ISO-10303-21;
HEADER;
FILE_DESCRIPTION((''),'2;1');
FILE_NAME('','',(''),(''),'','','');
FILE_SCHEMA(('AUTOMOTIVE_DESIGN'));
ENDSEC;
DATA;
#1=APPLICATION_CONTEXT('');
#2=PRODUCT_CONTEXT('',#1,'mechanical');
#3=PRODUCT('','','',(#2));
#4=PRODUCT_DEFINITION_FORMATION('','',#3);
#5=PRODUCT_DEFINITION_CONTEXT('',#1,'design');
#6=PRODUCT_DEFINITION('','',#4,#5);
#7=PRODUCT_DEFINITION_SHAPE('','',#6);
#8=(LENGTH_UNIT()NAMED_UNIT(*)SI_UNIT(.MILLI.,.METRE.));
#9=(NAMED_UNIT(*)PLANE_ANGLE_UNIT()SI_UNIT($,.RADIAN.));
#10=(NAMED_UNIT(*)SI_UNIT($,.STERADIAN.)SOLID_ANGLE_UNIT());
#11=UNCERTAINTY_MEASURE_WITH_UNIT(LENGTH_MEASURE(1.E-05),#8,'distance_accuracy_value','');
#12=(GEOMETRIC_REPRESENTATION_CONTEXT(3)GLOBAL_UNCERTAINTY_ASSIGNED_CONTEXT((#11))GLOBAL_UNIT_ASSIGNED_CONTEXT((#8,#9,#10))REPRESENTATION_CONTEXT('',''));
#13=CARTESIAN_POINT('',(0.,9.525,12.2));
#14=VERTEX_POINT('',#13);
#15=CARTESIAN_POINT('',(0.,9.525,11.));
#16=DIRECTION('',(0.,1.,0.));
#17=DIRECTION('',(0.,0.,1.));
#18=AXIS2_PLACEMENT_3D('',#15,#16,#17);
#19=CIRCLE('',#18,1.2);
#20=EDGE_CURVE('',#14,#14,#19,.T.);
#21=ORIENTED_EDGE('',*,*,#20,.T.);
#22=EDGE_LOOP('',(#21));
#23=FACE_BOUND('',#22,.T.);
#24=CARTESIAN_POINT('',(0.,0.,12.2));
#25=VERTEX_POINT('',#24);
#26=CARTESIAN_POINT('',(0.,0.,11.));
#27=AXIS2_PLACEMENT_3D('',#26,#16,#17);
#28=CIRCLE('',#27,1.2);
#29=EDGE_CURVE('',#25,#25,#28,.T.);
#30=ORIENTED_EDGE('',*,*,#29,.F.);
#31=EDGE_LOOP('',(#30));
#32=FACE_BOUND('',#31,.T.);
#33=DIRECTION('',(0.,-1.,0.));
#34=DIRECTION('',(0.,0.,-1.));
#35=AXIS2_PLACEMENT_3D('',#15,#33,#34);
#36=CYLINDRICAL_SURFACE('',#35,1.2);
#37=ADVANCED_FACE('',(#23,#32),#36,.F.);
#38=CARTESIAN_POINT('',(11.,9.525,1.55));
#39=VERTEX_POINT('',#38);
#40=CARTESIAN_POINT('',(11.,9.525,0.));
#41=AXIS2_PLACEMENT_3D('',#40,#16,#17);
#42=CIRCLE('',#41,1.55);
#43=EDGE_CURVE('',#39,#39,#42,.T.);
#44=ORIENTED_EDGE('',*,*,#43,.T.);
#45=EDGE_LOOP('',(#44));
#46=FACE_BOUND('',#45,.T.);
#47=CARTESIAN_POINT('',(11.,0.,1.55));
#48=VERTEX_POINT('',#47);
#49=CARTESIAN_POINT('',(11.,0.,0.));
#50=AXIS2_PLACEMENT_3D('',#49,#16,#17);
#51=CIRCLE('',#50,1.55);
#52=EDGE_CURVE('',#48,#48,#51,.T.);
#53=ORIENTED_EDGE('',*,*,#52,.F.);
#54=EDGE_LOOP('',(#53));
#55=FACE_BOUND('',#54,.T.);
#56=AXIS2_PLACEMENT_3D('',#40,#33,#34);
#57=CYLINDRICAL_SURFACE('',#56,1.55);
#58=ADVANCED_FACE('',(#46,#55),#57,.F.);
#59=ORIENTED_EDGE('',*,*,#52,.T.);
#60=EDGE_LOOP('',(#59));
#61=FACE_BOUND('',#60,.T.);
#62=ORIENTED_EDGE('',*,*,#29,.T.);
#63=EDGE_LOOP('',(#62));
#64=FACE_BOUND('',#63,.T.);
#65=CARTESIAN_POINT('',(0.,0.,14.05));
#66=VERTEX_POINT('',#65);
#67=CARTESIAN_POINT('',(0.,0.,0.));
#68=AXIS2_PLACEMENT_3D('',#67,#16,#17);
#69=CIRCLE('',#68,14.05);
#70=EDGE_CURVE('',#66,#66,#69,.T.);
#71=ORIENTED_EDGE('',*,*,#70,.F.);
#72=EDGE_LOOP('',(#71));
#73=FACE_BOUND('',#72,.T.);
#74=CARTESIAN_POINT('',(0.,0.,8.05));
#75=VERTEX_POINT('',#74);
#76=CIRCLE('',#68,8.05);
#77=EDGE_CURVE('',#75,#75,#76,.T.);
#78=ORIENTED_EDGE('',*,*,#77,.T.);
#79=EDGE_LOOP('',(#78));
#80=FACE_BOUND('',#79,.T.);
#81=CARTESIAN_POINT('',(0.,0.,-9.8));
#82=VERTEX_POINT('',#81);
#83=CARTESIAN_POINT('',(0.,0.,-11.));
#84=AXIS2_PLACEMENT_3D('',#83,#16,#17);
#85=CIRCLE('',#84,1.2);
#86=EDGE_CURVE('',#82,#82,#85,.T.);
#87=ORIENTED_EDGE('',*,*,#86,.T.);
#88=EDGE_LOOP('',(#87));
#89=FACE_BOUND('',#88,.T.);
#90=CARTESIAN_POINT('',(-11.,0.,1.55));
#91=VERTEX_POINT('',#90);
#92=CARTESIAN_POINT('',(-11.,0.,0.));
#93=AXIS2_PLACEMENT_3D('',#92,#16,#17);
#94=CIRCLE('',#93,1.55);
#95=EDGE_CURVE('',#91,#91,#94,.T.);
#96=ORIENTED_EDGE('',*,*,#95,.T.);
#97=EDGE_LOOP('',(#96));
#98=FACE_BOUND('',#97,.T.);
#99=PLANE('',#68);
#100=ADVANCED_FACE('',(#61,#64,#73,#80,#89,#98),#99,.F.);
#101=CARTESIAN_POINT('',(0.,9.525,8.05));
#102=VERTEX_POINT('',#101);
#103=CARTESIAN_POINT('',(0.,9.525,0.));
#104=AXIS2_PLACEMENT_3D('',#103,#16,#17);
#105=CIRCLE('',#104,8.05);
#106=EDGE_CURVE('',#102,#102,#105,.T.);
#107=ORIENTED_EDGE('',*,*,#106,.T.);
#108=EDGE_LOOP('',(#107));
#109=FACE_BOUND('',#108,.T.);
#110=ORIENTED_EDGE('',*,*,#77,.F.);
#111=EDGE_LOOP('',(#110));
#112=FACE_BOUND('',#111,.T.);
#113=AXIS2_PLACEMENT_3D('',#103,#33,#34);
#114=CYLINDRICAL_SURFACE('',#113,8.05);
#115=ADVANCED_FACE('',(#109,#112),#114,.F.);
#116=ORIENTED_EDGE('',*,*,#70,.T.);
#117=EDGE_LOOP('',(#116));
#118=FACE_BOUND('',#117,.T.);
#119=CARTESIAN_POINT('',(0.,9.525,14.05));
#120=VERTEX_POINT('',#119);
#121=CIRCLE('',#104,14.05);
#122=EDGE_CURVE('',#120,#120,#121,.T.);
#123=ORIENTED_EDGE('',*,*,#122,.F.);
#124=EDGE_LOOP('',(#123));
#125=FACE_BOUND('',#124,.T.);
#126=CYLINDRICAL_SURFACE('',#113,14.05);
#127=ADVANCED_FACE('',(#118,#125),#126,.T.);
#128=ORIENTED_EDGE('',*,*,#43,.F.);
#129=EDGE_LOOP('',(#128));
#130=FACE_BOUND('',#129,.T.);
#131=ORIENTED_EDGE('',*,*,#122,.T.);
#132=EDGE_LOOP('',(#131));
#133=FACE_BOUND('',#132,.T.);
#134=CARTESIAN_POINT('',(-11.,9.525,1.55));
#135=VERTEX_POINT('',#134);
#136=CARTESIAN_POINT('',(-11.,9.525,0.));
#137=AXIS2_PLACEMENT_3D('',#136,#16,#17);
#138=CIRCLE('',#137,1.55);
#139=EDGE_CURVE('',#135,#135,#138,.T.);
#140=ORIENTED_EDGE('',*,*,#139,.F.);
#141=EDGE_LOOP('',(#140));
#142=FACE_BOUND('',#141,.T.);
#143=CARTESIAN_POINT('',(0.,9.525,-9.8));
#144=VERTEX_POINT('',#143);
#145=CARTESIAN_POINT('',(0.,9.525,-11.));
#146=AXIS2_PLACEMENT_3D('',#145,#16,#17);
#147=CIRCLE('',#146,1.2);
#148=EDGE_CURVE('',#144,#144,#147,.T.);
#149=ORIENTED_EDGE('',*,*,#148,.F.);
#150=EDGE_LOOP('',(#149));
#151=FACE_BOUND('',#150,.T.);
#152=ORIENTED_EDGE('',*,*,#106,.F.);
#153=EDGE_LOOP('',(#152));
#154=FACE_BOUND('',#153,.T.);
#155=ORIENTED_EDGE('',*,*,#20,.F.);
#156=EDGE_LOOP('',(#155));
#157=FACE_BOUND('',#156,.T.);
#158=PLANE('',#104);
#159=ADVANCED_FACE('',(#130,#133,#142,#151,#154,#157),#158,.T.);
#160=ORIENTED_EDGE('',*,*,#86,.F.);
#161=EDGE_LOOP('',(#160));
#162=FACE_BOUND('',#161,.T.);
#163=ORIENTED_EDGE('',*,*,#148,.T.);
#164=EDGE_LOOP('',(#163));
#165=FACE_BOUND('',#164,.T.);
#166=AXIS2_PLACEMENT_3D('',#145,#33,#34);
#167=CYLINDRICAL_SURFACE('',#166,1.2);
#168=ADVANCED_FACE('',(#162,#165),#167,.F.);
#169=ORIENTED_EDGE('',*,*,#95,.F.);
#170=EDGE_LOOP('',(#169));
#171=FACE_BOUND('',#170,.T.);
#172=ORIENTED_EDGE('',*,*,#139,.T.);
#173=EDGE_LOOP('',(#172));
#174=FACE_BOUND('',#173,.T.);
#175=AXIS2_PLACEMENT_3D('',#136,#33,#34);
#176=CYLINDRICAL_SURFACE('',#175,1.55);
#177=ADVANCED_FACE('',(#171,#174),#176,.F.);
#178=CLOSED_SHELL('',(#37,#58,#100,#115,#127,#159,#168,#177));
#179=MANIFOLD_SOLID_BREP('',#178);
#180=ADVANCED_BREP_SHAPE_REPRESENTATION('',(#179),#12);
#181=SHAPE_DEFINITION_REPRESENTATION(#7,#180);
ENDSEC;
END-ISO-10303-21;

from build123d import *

# Parameters (mm, degrees)
SKETCH1_R           = 14.05
SKETCH1_R_2         = 8.05
SKETCH1_R_3         = 1.55
SKETCH1_R_4         = 1.2
BOSS_EXTRUDE1_DEPTH = 9.525


with BuildPart() as part:
    # Sketch1 → Boss-Extrude1 (new body)
    with BuildSketch(Plane(origin=(0, 0, 0), x_dir=(1, 0, 0), z_dir=(0, 1, 0))):
        Circle(SKETCH1_R)
        Circle(SKETCH1_R_2, mode=Mode.SUBTRACT)
        with Locations((11, 0)):
            Circle(SKETCH1_R_3, mode=Mode.SUBTRACT)
        with Locations((-11, 0)):
            Circle(SKETCH1_R_3, mode=Mode.SUBTRACT)
        with Locations((0, 11)):
            Circle(SKETCH1_R_4, mode=Mode.SUBTRACT)
        with Locations((0, -11)):
            Circle(SKETCH1_R_4, mode=Mode.SUBTRACT)
    extrude(amount=BOSS_EXTRUDE1_DEPTH)


solid = part.part
